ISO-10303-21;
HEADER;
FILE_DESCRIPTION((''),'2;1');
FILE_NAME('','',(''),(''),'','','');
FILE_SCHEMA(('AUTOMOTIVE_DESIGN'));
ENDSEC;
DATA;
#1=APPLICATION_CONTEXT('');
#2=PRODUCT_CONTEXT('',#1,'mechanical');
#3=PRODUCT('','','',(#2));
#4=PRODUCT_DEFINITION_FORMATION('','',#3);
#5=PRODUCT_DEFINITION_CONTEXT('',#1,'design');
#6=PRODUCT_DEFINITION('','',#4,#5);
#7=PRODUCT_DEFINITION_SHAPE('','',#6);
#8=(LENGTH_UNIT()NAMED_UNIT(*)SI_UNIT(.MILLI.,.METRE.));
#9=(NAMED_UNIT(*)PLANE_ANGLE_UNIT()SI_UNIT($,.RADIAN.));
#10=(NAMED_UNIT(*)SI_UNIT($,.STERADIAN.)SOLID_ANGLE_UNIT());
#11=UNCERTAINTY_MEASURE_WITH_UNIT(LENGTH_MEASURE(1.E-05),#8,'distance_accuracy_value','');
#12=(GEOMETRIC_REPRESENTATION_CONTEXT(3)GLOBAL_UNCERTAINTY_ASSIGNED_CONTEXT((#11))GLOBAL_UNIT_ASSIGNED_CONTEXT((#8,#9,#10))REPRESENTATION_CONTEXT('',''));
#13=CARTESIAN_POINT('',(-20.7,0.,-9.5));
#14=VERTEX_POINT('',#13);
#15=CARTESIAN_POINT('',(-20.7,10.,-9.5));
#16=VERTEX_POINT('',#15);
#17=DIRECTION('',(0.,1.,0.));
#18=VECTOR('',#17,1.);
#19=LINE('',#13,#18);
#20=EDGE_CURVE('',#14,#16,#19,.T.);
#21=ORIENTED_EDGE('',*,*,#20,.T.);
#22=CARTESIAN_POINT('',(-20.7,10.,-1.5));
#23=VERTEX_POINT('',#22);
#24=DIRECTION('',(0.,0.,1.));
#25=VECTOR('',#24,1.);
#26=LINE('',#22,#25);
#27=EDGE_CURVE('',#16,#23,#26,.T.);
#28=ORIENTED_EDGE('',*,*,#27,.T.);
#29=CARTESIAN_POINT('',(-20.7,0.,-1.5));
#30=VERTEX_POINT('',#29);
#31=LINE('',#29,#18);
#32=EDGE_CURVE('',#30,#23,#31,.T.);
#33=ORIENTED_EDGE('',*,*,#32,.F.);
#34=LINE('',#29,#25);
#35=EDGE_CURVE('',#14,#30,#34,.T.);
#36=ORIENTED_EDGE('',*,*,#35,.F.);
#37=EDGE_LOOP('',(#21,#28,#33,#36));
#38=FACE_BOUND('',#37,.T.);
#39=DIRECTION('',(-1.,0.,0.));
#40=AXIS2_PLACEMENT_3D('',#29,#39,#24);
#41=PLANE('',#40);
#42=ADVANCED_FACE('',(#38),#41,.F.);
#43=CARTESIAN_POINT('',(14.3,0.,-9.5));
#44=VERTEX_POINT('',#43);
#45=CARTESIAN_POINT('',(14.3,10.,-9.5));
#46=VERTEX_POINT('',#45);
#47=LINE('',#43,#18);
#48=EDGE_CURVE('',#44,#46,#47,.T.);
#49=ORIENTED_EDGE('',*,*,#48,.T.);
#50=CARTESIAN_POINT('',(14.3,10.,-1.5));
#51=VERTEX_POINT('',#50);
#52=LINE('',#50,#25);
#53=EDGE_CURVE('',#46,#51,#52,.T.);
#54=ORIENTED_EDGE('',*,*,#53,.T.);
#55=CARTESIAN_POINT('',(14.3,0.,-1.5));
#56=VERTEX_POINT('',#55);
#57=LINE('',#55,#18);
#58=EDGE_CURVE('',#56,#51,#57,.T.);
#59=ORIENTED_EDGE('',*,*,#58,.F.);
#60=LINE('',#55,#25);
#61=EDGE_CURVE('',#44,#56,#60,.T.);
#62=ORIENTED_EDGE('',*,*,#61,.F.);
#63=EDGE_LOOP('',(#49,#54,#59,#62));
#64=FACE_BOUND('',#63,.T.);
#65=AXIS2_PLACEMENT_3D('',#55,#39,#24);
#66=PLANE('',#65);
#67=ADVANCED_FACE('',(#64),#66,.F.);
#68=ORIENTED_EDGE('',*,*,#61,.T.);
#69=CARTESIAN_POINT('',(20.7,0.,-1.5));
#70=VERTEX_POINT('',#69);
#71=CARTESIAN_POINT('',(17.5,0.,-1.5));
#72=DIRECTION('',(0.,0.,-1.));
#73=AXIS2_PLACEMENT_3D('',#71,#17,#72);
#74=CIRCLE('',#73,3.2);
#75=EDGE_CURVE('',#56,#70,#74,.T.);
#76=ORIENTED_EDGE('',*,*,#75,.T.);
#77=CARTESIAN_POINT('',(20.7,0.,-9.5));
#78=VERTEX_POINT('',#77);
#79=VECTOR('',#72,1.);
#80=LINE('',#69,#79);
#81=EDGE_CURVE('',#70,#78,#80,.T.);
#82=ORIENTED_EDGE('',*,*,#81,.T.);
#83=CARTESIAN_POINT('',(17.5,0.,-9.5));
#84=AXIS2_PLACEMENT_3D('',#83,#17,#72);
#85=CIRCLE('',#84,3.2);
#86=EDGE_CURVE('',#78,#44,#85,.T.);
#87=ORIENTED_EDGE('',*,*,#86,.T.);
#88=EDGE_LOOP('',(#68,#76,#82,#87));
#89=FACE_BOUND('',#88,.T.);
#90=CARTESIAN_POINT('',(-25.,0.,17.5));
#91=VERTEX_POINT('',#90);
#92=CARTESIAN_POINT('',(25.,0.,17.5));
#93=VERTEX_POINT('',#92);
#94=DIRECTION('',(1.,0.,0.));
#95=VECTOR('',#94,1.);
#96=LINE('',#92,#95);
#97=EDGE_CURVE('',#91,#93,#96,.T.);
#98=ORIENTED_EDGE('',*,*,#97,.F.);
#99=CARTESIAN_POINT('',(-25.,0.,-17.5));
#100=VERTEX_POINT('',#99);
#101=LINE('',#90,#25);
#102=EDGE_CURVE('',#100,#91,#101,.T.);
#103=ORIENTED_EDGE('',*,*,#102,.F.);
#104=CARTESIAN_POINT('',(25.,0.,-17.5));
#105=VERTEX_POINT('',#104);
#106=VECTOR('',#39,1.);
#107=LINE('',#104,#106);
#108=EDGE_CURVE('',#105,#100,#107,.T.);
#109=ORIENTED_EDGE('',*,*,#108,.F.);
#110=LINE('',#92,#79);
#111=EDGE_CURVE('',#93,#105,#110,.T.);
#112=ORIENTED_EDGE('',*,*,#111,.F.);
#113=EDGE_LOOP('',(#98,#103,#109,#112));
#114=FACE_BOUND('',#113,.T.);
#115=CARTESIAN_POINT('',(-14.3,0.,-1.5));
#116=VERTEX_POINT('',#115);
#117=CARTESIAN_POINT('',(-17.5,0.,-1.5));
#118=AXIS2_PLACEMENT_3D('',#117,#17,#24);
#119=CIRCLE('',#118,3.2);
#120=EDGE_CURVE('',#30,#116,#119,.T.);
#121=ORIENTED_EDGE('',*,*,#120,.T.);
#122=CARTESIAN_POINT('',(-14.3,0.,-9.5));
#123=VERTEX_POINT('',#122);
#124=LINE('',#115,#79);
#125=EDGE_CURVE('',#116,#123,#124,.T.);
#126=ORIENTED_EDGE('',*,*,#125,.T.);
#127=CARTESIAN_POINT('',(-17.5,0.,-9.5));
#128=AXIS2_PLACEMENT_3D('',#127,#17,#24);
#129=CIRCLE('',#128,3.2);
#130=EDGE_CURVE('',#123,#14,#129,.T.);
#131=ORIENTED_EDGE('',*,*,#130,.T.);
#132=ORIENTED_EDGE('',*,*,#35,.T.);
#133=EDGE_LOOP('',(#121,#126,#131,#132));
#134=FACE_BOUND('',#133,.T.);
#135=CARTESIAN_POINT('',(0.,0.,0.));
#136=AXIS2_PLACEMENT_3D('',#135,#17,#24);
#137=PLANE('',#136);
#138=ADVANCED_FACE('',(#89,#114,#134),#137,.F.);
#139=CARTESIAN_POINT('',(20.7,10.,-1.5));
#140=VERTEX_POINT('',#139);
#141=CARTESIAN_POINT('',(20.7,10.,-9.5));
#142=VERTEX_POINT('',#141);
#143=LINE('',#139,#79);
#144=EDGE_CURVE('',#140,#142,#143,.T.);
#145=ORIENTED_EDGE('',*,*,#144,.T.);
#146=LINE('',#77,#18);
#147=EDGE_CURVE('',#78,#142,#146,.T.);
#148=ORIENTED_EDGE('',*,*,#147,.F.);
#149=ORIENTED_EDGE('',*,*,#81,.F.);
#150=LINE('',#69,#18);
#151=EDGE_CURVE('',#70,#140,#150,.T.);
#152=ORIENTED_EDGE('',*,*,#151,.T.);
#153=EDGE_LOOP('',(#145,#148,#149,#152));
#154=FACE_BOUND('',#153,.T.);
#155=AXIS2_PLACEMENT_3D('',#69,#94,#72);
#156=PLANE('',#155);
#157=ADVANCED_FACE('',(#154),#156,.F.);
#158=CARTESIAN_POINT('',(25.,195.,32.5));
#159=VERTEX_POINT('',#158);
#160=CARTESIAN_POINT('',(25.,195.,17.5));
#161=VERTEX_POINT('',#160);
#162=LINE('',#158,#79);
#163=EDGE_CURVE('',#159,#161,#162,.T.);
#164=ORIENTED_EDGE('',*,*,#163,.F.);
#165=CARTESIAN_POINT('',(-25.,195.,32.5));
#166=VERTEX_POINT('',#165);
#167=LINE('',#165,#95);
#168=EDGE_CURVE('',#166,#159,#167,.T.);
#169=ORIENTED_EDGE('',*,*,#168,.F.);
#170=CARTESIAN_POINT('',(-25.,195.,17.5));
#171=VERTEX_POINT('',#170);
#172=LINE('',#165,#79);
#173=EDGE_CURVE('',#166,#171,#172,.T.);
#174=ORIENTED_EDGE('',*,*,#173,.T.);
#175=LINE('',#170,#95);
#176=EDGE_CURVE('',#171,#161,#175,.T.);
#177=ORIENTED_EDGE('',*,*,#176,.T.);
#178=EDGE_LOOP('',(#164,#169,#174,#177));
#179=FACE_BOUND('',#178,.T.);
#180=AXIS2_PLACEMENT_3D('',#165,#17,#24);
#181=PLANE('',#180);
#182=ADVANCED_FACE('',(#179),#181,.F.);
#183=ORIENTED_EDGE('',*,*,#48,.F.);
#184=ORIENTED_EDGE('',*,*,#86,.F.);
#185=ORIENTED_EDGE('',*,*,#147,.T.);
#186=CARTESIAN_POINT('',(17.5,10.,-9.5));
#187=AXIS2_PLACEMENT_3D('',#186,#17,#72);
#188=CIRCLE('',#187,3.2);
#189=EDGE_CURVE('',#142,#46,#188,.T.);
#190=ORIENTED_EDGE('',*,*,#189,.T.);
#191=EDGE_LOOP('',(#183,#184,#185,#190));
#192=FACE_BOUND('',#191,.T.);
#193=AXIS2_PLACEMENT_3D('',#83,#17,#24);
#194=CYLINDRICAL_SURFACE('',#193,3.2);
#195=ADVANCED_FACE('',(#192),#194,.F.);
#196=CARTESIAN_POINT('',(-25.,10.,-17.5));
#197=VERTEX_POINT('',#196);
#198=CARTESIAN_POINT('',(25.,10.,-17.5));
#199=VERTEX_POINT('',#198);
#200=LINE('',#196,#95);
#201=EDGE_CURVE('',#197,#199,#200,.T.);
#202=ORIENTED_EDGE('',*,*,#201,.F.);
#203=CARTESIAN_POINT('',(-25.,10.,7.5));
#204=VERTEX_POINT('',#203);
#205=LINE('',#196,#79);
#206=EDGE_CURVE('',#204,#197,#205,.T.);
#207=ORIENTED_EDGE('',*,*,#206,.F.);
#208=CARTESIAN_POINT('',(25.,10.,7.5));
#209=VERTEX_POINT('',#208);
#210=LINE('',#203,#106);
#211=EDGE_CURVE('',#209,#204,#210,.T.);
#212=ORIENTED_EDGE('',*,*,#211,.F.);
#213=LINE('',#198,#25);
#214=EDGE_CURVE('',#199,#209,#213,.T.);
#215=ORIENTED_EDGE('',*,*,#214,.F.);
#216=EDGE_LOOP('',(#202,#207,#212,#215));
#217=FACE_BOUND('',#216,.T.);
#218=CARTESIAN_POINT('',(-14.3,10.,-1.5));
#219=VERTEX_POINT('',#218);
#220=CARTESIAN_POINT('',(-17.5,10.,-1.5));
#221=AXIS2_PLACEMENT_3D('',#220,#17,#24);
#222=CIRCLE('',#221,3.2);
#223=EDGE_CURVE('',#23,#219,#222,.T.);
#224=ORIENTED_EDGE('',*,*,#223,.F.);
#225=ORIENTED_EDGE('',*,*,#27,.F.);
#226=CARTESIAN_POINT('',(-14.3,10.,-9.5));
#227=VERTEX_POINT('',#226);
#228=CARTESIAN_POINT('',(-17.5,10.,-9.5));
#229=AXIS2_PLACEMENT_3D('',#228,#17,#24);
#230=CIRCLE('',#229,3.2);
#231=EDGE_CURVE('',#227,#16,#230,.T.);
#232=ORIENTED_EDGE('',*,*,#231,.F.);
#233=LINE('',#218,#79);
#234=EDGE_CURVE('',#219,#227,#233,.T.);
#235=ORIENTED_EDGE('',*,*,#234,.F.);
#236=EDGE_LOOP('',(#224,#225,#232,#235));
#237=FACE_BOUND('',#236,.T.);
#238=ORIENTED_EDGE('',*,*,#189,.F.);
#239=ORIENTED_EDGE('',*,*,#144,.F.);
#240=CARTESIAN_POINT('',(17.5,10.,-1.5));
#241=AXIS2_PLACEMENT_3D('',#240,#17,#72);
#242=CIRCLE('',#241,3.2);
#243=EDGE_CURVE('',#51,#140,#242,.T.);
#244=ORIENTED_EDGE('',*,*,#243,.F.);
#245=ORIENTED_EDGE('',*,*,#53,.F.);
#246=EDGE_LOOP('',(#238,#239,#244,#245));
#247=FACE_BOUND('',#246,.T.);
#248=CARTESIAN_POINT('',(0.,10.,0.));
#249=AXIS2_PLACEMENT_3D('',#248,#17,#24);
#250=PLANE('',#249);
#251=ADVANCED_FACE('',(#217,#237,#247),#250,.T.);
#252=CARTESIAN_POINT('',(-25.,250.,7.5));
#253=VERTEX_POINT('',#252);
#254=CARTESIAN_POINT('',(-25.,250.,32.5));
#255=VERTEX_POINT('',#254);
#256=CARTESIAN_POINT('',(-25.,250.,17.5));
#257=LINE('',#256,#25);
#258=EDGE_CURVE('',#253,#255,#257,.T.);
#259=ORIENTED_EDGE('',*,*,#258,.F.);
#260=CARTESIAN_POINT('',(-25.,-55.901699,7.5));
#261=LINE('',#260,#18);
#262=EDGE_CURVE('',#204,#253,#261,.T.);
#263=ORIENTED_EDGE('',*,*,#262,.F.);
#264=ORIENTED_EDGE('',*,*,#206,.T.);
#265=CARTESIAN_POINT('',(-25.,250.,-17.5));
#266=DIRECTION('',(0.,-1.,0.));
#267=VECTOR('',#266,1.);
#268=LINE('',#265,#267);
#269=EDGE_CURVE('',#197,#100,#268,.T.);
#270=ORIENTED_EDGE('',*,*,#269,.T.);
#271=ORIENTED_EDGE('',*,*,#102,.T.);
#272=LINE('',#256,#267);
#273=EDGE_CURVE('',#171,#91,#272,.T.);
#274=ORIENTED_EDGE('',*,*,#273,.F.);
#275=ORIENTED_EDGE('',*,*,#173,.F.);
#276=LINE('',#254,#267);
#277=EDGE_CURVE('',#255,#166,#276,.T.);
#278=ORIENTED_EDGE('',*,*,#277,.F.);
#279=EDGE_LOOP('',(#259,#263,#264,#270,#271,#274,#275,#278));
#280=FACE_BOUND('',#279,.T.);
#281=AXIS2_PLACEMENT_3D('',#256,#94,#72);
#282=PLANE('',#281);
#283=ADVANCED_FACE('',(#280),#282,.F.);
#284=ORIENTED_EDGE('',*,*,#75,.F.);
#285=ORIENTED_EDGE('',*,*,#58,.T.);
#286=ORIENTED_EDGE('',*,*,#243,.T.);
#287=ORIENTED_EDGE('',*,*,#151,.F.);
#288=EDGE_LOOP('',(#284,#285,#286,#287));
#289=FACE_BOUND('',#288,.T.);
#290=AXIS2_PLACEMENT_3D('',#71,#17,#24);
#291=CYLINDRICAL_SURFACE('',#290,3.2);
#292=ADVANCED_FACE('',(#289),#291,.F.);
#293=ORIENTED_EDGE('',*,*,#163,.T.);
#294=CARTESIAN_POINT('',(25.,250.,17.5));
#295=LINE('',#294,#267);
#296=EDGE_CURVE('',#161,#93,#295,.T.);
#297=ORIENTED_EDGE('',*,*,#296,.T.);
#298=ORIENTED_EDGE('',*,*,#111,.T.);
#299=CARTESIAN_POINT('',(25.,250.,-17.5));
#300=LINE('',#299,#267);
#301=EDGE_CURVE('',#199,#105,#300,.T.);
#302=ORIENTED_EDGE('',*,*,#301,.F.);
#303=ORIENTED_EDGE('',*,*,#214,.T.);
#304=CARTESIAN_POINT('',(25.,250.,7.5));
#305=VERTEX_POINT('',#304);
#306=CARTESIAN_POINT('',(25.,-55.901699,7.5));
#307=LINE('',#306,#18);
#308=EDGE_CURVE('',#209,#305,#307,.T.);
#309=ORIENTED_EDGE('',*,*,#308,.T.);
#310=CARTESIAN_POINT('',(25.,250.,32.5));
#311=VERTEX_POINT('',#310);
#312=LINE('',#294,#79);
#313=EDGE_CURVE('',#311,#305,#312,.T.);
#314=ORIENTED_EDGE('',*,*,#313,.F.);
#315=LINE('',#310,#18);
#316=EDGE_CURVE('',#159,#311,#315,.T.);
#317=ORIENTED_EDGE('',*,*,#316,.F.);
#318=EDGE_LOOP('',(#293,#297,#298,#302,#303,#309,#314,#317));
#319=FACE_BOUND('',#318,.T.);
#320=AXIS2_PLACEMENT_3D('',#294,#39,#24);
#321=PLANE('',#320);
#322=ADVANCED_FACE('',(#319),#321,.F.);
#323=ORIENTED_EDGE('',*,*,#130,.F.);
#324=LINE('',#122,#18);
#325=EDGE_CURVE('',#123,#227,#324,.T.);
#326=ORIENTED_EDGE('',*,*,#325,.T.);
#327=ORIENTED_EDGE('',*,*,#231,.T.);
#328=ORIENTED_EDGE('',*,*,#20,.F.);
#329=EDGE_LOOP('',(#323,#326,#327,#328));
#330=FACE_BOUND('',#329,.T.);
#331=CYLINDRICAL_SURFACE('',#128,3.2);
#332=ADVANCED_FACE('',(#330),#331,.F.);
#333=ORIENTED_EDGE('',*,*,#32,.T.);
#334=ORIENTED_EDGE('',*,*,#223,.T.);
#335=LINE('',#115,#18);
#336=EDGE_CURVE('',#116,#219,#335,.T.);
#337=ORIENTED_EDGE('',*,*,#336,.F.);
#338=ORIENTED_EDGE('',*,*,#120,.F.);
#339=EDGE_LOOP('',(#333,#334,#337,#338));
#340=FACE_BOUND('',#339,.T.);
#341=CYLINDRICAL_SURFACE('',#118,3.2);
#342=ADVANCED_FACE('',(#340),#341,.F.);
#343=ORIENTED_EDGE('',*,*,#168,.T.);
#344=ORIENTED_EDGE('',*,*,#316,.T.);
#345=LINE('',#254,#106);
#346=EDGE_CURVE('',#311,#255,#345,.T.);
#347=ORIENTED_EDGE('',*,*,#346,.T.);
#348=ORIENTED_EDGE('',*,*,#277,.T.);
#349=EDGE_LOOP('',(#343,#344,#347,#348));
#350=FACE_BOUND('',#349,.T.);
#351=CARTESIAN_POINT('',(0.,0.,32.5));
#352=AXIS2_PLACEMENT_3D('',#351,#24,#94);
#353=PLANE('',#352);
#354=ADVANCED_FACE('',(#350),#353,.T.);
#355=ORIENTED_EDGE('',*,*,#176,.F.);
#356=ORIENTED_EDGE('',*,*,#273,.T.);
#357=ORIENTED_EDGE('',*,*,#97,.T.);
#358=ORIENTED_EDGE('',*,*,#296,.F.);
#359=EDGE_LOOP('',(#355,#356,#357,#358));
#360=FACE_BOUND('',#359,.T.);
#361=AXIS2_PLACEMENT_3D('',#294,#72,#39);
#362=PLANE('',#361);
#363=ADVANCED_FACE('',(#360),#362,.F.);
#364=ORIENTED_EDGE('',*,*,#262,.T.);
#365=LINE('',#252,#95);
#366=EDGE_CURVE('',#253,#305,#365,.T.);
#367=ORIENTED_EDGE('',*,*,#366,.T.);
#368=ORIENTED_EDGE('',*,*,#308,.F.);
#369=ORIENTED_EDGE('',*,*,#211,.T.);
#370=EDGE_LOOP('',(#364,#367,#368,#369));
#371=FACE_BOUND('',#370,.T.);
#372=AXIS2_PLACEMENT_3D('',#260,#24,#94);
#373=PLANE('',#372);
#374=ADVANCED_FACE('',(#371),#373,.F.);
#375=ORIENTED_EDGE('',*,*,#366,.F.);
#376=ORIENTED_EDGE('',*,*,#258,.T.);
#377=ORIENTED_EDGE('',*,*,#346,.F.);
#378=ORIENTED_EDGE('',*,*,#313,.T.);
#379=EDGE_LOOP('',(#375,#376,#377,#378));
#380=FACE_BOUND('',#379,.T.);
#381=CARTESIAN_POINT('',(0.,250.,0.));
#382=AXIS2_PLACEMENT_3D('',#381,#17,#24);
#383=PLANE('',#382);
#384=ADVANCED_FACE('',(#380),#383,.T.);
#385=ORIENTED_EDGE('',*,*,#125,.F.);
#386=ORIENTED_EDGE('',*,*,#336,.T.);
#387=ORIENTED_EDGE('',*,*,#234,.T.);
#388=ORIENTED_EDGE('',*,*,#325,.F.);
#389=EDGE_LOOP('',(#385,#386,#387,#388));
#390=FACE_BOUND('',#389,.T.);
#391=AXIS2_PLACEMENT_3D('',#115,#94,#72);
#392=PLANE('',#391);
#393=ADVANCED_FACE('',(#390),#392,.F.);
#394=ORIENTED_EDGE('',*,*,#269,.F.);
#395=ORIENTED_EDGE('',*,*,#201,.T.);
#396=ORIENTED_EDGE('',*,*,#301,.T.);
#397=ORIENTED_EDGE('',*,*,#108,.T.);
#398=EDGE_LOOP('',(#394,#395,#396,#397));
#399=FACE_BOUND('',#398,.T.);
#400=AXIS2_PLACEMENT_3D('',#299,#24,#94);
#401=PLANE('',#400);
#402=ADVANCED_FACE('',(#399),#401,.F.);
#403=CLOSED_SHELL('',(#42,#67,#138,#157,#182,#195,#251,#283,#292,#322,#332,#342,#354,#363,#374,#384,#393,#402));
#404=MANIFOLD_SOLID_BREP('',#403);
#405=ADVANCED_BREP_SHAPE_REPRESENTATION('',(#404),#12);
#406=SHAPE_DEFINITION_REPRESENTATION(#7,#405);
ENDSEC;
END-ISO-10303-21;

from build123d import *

# Parameters (mm, degrees)
SKETCH_1_W          = 50
SKETCH_1_H          = 35
EXTRUDE_1_DEPTH     = 250
SKETCH_2_W          = 50
SKETCH_2_H          = 25
CUT_EXTRUDE_1_DEPTH = 240
CUT_EXTRUDE_2_DEPTH = 11
SKETCH_5_W          = 50
SKETCH_5_H          = 55
EXTRUDE_2_DEPTH     = 15


with BuildPart() as part:
    # 草图1 → 凸台-拉伸1 (new body)
    with BuildSketch(Plane(origin=(0, 0, 0), x_dir=(1, 0, 0), z_dir=(0, 1, 0))):
        Rectangle(SKETCH_1_W, SKETCH_1_H)
    extrude(amount=EXTRUDE_1_DEPTH)

    # 草图2 → 切除-拉伸1 (cut)
    with BuildSketch(Plane(origin=(0, 250, 0), x_dir=(1, 0, 0), z_dir=(0, 1, 0))):
        with Locations((0, 5)):
            Rectangle(SKETCH_2_W, SKETCH_2_H)
    extrude(amount=-CUT_EXTRUDE_1_DEPTH, mode=Mode.SUBTRACT)

    # 草图3 → 切除-拉伸2 (cut, through all)
    with BuildSketch(Plane(origin=(0, 10, 0), x_dir=(1, 0, 0), z_dir=(0, 1, 0))):
        with BuildLine():
            Line((-20.7, 1.5), (-20.7, 9.5))
            ThreePointArc((-20.7, 9.5), (-17.5, 12.7), (-14.3, 9.5))
            Line((-14.3, 9.5), (-14.3, 1.5))
            ThreePointArc((-14.3, 1.5), (-17.5, -1.7), (-20.7, 1.5))
        make_face()
        with BuildLine():
            Line((20.7, 1.5), (20.7, 9.5))
            ThreePointArc((20.7, 9.5), (17.5, 12.7), (14.3, 9.5))
            Line((14.3, 9.5), (14.3, 1.5))
            ThreePointArc((14.3, 1.5), (17.5, -1.7), (20.7, 1.5))
        make_face()
    extrude(amount=-CUT_EXTRUDE_2_DEPTH, mode=Mode.SUBTRACT)

    # 草图5 → 凸台-拉伸2 (add)
    with BuildSketch(Plane.XY.offset(17.5)):
        with Locations((0, 222.5)):
            Rectangle(SKETCH_5_W, SKETCH_5_H)
    extrude(amount=EXTRUDE_2_DEPTH)


solid = part.part
